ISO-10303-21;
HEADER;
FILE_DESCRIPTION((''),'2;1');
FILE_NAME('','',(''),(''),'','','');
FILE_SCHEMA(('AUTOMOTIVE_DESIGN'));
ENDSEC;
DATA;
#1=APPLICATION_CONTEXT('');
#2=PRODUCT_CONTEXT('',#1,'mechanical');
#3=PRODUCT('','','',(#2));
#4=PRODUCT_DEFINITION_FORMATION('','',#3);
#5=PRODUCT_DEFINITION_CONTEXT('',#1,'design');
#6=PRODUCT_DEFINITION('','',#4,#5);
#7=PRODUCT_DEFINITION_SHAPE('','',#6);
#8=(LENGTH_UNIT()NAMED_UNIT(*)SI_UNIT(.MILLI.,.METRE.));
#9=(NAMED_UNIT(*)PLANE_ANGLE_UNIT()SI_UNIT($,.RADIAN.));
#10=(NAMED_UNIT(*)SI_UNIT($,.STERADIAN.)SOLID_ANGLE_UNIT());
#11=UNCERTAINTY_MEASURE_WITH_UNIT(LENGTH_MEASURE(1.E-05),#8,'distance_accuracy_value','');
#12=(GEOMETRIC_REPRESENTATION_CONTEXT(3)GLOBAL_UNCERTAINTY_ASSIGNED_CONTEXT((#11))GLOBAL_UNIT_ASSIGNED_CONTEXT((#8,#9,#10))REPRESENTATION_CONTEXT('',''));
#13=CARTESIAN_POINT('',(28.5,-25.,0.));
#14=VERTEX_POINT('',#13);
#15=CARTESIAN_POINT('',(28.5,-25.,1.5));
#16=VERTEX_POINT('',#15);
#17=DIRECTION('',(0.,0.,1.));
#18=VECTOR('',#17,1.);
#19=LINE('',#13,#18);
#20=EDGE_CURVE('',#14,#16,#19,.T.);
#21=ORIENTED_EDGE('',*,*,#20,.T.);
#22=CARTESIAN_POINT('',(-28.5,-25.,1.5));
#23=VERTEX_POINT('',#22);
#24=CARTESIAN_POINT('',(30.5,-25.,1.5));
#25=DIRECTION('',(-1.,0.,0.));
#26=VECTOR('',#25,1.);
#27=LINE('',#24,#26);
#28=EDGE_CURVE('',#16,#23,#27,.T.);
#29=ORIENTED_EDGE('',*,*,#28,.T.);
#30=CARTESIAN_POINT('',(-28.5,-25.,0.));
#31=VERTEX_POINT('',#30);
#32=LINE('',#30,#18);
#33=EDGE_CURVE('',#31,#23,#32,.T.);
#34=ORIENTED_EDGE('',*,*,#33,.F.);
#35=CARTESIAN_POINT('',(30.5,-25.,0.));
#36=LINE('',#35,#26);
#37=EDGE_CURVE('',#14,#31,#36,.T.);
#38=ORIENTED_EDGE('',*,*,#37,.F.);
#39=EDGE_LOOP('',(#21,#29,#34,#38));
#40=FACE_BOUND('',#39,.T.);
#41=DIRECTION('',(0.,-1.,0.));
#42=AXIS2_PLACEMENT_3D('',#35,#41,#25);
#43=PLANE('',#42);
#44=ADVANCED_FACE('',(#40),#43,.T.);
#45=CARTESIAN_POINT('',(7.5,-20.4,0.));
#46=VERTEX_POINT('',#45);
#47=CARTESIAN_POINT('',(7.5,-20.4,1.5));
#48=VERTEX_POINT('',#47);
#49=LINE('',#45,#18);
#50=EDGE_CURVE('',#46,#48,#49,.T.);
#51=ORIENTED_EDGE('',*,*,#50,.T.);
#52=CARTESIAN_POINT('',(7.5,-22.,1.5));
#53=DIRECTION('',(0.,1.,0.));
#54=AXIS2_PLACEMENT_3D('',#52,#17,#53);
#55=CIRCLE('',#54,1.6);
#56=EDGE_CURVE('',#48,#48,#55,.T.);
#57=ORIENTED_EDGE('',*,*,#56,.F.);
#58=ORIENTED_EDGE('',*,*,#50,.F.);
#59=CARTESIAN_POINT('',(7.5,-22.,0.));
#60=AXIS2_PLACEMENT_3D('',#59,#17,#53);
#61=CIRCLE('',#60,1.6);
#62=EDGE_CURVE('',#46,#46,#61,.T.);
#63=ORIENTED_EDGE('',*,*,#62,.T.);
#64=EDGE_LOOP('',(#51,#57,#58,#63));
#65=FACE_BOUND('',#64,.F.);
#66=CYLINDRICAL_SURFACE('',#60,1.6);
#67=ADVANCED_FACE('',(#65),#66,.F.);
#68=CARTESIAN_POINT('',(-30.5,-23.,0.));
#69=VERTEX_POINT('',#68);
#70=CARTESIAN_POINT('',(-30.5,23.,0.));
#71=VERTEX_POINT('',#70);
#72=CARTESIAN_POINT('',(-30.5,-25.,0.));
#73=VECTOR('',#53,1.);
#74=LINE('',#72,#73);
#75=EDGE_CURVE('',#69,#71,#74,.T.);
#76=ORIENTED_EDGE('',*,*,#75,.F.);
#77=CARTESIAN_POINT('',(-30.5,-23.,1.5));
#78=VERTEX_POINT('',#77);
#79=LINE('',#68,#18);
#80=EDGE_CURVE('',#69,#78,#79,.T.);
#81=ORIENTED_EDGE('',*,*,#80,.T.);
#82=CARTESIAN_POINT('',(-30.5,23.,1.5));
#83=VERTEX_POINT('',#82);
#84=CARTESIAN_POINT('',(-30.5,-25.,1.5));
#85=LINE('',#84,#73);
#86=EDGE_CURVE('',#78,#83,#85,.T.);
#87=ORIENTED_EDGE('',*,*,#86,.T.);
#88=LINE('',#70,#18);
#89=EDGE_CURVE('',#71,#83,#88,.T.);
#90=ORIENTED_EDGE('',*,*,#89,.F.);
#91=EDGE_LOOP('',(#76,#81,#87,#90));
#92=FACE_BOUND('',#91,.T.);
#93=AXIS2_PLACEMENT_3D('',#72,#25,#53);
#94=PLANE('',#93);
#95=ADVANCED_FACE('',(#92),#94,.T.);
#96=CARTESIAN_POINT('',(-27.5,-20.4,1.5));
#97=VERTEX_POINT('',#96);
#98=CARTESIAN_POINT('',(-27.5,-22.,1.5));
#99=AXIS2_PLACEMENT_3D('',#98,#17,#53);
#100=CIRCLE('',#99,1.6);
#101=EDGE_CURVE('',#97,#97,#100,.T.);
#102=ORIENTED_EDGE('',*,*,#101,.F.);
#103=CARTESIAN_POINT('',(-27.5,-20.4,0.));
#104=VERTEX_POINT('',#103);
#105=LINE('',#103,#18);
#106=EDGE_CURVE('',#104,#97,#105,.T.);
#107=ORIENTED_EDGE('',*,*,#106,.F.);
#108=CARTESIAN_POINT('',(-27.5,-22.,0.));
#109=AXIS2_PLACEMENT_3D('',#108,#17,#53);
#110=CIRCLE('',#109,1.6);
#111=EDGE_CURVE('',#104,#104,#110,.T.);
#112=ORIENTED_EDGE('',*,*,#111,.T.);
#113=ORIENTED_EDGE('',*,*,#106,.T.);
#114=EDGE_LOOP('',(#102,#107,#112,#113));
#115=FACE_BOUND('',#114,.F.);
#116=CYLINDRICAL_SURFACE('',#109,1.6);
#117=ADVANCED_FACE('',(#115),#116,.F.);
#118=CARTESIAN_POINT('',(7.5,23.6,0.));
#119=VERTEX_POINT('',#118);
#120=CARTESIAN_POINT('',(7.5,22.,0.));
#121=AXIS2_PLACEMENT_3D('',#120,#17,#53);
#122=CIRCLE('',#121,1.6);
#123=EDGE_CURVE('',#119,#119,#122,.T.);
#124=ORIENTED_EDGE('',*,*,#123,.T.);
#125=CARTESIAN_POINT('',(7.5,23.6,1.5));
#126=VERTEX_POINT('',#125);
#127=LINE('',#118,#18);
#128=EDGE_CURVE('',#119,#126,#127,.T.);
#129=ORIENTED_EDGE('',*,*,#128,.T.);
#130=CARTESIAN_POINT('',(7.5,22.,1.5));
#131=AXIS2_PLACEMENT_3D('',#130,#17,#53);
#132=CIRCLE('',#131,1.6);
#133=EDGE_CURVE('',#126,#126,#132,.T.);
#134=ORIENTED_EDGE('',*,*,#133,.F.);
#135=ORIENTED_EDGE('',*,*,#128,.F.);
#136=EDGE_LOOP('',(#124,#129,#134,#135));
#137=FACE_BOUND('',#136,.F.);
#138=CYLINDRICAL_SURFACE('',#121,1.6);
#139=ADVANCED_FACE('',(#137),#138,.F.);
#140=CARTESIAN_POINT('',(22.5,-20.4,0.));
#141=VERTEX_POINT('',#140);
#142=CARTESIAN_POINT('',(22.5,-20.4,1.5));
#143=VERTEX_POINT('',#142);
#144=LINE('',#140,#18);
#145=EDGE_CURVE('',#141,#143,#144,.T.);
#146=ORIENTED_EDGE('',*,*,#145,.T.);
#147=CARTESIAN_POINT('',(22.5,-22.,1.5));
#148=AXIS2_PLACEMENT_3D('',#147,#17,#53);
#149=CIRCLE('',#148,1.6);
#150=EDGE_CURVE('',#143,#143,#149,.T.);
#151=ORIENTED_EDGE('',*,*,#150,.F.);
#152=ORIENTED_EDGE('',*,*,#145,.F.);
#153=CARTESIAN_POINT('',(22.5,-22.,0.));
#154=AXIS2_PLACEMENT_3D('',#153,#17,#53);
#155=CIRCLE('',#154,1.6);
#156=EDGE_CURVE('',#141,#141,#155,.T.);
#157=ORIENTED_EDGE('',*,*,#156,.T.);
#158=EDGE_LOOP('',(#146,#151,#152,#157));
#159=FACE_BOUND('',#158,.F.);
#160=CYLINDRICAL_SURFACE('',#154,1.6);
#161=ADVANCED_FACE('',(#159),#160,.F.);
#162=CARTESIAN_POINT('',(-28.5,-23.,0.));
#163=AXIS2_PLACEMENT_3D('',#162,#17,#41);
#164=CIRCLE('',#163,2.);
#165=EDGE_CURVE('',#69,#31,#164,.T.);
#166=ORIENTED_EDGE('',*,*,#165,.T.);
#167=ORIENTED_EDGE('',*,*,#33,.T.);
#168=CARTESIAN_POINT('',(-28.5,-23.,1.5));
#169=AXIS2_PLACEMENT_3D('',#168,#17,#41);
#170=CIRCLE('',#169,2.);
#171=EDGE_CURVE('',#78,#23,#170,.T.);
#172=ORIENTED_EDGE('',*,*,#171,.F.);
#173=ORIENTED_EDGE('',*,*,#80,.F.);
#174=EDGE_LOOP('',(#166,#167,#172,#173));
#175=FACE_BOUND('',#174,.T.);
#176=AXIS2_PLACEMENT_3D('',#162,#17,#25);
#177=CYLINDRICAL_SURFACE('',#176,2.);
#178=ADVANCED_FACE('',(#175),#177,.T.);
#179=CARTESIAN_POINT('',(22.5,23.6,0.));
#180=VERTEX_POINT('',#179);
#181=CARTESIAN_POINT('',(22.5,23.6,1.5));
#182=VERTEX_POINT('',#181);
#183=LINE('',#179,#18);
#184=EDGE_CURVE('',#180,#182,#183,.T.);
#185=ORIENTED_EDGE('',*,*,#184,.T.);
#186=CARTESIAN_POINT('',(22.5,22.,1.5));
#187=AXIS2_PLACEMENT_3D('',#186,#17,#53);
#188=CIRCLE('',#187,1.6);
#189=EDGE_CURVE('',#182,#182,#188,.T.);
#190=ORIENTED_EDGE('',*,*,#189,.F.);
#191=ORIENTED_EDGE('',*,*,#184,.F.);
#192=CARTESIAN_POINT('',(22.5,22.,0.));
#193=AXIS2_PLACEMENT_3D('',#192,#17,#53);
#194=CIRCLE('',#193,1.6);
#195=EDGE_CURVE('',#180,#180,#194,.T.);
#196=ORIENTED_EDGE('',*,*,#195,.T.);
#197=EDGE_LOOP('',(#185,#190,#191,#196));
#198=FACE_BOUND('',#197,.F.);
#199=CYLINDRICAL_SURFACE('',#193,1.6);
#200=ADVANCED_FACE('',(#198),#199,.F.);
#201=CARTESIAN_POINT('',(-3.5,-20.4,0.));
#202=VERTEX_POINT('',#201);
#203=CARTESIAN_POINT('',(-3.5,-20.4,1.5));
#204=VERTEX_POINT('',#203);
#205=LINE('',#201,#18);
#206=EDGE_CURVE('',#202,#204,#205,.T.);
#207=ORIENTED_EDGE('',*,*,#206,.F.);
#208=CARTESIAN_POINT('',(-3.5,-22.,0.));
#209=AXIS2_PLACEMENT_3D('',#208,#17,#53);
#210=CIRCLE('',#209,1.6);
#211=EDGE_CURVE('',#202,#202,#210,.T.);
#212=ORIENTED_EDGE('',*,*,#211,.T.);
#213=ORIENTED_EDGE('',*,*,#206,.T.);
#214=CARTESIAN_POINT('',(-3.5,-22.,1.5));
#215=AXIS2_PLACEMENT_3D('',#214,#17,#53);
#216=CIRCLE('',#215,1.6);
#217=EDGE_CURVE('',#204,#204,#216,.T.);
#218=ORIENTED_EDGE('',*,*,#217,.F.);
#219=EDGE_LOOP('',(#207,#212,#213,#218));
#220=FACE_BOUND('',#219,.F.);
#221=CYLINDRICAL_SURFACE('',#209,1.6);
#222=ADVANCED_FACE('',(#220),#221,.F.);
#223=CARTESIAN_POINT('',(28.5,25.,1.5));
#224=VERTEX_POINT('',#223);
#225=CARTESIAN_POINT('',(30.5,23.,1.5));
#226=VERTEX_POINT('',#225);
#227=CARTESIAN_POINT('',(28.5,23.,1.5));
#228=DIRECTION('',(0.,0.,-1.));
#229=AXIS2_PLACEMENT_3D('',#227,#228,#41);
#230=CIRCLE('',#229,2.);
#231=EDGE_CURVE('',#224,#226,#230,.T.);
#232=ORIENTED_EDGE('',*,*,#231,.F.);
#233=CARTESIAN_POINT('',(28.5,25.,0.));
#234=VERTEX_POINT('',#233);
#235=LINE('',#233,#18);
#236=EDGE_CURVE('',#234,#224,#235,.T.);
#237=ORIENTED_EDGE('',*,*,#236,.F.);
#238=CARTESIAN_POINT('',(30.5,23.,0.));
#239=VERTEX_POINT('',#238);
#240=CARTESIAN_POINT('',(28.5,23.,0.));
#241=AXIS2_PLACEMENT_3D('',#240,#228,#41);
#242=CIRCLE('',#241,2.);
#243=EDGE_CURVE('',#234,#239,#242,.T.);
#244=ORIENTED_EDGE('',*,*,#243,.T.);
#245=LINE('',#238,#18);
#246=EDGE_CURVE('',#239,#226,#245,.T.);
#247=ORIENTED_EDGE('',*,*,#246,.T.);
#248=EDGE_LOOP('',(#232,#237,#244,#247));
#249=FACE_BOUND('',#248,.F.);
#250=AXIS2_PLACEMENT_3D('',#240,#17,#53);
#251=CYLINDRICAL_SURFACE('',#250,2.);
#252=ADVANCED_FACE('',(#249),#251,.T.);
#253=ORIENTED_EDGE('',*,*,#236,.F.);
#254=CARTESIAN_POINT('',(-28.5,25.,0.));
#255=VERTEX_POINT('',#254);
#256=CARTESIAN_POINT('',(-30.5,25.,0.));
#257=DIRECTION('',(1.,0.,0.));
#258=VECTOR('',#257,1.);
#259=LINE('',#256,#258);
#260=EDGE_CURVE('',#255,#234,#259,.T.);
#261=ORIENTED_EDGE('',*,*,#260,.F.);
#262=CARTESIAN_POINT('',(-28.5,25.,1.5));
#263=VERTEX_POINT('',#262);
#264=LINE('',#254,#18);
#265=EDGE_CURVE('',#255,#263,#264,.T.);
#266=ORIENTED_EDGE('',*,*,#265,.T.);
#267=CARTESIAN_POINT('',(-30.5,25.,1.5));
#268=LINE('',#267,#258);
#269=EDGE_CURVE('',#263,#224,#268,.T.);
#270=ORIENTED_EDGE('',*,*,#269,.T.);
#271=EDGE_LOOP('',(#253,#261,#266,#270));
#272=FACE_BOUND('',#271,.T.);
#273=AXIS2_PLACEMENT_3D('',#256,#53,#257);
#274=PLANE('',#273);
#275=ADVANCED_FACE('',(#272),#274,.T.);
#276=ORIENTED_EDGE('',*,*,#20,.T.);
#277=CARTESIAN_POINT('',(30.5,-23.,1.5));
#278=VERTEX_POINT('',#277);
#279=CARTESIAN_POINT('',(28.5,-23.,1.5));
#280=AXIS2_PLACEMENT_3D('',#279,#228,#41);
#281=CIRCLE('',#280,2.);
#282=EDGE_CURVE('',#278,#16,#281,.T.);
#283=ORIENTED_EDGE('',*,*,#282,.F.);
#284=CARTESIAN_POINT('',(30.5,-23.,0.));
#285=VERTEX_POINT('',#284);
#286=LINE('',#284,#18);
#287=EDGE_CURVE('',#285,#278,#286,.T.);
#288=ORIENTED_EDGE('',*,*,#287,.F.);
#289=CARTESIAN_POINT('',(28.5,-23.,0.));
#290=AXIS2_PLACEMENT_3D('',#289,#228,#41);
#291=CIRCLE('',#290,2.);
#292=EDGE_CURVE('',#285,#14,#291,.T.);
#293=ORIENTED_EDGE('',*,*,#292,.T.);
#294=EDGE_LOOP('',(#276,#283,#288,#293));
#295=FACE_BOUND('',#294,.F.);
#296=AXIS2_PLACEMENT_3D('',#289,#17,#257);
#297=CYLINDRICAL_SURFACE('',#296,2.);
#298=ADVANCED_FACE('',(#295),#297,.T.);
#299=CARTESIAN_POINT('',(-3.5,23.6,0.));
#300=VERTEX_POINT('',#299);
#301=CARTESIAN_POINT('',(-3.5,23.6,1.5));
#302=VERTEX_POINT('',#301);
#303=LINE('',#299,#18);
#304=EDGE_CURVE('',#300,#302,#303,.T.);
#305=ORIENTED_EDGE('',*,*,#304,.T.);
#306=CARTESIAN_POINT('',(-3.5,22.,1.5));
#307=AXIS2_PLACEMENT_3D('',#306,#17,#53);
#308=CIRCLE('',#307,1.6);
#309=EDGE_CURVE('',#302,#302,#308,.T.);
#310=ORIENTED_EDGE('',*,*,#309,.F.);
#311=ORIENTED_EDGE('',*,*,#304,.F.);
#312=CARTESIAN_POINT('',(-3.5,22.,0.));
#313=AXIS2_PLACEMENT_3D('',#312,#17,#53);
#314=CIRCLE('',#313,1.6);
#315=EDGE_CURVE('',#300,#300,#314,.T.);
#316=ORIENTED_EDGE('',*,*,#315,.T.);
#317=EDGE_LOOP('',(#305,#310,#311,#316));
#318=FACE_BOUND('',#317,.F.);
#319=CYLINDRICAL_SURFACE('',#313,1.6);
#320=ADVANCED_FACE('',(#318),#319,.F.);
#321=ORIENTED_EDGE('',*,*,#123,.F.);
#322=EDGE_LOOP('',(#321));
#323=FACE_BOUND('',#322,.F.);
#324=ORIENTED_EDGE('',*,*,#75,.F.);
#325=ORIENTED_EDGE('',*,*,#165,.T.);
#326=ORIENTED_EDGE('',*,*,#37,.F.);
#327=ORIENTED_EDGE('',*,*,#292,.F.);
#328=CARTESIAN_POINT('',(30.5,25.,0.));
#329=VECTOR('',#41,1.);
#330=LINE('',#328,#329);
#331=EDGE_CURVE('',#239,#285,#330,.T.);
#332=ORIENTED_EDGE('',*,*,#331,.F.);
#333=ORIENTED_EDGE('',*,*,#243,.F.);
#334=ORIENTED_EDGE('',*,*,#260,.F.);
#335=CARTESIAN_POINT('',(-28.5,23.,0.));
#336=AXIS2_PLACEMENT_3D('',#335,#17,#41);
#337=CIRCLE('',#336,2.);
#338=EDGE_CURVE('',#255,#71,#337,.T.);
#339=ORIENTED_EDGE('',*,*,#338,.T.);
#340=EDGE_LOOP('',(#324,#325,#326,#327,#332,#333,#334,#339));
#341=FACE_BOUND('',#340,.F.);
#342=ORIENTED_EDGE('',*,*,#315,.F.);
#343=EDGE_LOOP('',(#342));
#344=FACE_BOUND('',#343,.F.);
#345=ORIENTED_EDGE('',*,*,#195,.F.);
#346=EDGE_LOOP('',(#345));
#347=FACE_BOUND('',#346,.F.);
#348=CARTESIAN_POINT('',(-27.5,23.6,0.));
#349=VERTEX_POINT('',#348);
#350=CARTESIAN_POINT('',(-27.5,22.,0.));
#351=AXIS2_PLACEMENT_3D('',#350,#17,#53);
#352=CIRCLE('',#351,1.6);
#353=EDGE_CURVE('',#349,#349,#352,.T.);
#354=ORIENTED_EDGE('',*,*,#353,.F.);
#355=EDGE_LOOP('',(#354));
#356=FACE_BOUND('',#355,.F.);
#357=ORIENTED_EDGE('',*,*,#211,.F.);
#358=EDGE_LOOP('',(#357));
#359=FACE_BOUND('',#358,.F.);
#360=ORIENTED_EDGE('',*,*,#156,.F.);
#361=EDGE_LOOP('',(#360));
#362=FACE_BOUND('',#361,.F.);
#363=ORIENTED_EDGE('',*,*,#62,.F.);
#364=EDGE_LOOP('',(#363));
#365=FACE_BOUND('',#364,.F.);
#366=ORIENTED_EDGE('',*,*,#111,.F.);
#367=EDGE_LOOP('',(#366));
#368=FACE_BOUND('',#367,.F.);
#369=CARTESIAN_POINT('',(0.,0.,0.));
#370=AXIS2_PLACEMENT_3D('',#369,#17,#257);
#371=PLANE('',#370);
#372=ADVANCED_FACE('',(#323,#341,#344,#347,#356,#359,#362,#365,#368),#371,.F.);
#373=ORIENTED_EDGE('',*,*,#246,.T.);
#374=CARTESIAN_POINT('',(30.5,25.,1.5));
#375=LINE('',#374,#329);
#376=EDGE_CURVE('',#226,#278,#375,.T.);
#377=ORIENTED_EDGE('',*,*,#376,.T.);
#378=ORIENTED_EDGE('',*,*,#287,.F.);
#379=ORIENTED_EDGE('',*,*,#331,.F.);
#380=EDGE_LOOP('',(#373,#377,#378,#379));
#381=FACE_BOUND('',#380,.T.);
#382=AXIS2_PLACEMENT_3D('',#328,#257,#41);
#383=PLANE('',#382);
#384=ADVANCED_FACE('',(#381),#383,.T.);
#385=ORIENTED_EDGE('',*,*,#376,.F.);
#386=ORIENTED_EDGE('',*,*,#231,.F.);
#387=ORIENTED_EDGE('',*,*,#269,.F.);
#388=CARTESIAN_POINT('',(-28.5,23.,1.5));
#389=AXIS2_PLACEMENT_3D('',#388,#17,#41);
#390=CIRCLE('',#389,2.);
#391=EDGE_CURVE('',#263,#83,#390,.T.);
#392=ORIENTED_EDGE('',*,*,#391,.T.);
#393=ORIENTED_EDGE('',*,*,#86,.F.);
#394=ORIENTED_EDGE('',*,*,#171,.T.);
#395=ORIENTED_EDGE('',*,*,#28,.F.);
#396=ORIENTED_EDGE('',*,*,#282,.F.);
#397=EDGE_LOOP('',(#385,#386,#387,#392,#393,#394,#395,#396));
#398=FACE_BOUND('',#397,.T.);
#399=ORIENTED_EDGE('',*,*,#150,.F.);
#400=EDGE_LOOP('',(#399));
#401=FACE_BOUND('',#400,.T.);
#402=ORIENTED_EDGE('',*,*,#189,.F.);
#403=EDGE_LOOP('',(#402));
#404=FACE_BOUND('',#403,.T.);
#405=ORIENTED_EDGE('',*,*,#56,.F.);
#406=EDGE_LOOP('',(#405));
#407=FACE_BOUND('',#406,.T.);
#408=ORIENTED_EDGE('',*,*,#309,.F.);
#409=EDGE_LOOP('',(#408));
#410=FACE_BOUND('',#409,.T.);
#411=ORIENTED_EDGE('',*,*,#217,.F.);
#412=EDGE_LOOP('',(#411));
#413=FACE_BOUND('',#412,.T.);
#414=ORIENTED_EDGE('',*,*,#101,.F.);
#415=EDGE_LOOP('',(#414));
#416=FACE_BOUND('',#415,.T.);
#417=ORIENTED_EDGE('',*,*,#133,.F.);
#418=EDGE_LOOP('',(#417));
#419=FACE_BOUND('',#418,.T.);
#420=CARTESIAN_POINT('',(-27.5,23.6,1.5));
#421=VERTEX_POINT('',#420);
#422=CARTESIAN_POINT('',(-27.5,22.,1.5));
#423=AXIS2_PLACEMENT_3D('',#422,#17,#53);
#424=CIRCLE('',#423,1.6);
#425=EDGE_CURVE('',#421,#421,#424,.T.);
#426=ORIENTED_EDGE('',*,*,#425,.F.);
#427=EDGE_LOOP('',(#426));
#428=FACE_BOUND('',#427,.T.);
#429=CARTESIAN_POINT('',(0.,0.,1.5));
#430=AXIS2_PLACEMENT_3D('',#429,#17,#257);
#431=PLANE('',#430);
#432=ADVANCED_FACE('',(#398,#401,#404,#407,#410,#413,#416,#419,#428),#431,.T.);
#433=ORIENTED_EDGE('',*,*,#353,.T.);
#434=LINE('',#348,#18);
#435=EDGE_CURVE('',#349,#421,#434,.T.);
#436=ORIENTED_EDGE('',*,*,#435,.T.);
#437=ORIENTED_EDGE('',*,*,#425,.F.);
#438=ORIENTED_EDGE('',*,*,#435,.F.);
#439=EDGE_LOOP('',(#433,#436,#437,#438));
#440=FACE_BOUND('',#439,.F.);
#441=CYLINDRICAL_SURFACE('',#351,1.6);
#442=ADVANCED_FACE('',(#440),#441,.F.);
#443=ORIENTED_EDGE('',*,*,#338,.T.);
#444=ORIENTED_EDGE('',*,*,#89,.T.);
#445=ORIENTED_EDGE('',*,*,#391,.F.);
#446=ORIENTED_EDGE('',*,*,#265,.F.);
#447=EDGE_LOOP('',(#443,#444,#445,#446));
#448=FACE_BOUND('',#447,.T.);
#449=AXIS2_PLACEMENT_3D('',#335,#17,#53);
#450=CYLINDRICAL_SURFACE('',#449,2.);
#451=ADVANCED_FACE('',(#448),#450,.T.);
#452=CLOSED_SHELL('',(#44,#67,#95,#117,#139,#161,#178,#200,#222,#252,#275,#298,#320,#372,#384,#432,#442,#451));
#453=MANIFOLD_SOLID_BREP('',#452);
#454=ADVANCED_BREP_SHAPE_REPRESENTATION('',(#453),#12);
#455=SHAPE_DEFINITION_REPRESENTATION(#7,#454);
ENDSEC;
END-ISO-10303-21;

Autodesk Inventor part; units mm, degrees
ref_plane "YZ Plane" through (0, 0, 0) normal (1, 0, 0) x (0, 1, 0)
ref_plane "XZ Plane" through (0, 0, 0) normal (0, 1, 0) x (-1, 0, 0)
ref_plane "XY Plane" through (0, 0, 0) normal (0, 0, 1) x (1, 0, 0)
sketch "スケッチ1" plane through (0, 0, 0) normal (0, 0, 1) x (1, 0, 0)
  line L0 (-30.5, 25) -> (30.5, 25)
  line L1 (30.5, 25) -> (30.5, -25)
  line L2 (30.5, -25) -> (-30.5, -25)
  line L3 (-30.5, -25) -> (-30.5, 25)
  point P0 (0, 0)
  point P1 (-30.5, 0)
  point P2 (0, 25)
  point P3 (-27.5, 22)
  point P4 (7.5, 22)
  point P5 (7.5, -22)
  point P6 (-27.5, -22)
  point P7 (-3.5, -22)
  point P8 (-3.5, 22)
  point P9 (22.5, 22)
  point P10 (22.5, -22)
  dimension "d0" = 50
  dimension "d1" = 61
  dimension "d2" = 35
  dimension "d3" = 44
  dimension "d4" = 3
  dimension "d5" = 3
  dimension "d18" = 44
  dimension "d20" = 22
  dimension "d23" = 26
  dimension "d26" = 11
extrude "押し出し1" add sketch "スケッチ1" along normal blind 1.5
hole "穴1" at (-27.5, 22, 0) at (7.5, 22, 0) at (7.5, -22, 0) at (-27.5, -22, 0) at (-3.5, -22, 0) at (-3.5, 22, 0) at (22.5, 22, 0) at (22.5, -22, 0) direction (0, 0, 1) diameter 3.2 depth 8.8 tip angle 118
fillet "フィレット1" radius 2 4 edges at (30.5, 25, 0.75) (30.5, -25, 0.75) (-30.5, 25, 0.75) (-30.5, -25, 0.75)
equation "\"d20\" = 0.5 * d18"
properties part number "回収機構天井"
